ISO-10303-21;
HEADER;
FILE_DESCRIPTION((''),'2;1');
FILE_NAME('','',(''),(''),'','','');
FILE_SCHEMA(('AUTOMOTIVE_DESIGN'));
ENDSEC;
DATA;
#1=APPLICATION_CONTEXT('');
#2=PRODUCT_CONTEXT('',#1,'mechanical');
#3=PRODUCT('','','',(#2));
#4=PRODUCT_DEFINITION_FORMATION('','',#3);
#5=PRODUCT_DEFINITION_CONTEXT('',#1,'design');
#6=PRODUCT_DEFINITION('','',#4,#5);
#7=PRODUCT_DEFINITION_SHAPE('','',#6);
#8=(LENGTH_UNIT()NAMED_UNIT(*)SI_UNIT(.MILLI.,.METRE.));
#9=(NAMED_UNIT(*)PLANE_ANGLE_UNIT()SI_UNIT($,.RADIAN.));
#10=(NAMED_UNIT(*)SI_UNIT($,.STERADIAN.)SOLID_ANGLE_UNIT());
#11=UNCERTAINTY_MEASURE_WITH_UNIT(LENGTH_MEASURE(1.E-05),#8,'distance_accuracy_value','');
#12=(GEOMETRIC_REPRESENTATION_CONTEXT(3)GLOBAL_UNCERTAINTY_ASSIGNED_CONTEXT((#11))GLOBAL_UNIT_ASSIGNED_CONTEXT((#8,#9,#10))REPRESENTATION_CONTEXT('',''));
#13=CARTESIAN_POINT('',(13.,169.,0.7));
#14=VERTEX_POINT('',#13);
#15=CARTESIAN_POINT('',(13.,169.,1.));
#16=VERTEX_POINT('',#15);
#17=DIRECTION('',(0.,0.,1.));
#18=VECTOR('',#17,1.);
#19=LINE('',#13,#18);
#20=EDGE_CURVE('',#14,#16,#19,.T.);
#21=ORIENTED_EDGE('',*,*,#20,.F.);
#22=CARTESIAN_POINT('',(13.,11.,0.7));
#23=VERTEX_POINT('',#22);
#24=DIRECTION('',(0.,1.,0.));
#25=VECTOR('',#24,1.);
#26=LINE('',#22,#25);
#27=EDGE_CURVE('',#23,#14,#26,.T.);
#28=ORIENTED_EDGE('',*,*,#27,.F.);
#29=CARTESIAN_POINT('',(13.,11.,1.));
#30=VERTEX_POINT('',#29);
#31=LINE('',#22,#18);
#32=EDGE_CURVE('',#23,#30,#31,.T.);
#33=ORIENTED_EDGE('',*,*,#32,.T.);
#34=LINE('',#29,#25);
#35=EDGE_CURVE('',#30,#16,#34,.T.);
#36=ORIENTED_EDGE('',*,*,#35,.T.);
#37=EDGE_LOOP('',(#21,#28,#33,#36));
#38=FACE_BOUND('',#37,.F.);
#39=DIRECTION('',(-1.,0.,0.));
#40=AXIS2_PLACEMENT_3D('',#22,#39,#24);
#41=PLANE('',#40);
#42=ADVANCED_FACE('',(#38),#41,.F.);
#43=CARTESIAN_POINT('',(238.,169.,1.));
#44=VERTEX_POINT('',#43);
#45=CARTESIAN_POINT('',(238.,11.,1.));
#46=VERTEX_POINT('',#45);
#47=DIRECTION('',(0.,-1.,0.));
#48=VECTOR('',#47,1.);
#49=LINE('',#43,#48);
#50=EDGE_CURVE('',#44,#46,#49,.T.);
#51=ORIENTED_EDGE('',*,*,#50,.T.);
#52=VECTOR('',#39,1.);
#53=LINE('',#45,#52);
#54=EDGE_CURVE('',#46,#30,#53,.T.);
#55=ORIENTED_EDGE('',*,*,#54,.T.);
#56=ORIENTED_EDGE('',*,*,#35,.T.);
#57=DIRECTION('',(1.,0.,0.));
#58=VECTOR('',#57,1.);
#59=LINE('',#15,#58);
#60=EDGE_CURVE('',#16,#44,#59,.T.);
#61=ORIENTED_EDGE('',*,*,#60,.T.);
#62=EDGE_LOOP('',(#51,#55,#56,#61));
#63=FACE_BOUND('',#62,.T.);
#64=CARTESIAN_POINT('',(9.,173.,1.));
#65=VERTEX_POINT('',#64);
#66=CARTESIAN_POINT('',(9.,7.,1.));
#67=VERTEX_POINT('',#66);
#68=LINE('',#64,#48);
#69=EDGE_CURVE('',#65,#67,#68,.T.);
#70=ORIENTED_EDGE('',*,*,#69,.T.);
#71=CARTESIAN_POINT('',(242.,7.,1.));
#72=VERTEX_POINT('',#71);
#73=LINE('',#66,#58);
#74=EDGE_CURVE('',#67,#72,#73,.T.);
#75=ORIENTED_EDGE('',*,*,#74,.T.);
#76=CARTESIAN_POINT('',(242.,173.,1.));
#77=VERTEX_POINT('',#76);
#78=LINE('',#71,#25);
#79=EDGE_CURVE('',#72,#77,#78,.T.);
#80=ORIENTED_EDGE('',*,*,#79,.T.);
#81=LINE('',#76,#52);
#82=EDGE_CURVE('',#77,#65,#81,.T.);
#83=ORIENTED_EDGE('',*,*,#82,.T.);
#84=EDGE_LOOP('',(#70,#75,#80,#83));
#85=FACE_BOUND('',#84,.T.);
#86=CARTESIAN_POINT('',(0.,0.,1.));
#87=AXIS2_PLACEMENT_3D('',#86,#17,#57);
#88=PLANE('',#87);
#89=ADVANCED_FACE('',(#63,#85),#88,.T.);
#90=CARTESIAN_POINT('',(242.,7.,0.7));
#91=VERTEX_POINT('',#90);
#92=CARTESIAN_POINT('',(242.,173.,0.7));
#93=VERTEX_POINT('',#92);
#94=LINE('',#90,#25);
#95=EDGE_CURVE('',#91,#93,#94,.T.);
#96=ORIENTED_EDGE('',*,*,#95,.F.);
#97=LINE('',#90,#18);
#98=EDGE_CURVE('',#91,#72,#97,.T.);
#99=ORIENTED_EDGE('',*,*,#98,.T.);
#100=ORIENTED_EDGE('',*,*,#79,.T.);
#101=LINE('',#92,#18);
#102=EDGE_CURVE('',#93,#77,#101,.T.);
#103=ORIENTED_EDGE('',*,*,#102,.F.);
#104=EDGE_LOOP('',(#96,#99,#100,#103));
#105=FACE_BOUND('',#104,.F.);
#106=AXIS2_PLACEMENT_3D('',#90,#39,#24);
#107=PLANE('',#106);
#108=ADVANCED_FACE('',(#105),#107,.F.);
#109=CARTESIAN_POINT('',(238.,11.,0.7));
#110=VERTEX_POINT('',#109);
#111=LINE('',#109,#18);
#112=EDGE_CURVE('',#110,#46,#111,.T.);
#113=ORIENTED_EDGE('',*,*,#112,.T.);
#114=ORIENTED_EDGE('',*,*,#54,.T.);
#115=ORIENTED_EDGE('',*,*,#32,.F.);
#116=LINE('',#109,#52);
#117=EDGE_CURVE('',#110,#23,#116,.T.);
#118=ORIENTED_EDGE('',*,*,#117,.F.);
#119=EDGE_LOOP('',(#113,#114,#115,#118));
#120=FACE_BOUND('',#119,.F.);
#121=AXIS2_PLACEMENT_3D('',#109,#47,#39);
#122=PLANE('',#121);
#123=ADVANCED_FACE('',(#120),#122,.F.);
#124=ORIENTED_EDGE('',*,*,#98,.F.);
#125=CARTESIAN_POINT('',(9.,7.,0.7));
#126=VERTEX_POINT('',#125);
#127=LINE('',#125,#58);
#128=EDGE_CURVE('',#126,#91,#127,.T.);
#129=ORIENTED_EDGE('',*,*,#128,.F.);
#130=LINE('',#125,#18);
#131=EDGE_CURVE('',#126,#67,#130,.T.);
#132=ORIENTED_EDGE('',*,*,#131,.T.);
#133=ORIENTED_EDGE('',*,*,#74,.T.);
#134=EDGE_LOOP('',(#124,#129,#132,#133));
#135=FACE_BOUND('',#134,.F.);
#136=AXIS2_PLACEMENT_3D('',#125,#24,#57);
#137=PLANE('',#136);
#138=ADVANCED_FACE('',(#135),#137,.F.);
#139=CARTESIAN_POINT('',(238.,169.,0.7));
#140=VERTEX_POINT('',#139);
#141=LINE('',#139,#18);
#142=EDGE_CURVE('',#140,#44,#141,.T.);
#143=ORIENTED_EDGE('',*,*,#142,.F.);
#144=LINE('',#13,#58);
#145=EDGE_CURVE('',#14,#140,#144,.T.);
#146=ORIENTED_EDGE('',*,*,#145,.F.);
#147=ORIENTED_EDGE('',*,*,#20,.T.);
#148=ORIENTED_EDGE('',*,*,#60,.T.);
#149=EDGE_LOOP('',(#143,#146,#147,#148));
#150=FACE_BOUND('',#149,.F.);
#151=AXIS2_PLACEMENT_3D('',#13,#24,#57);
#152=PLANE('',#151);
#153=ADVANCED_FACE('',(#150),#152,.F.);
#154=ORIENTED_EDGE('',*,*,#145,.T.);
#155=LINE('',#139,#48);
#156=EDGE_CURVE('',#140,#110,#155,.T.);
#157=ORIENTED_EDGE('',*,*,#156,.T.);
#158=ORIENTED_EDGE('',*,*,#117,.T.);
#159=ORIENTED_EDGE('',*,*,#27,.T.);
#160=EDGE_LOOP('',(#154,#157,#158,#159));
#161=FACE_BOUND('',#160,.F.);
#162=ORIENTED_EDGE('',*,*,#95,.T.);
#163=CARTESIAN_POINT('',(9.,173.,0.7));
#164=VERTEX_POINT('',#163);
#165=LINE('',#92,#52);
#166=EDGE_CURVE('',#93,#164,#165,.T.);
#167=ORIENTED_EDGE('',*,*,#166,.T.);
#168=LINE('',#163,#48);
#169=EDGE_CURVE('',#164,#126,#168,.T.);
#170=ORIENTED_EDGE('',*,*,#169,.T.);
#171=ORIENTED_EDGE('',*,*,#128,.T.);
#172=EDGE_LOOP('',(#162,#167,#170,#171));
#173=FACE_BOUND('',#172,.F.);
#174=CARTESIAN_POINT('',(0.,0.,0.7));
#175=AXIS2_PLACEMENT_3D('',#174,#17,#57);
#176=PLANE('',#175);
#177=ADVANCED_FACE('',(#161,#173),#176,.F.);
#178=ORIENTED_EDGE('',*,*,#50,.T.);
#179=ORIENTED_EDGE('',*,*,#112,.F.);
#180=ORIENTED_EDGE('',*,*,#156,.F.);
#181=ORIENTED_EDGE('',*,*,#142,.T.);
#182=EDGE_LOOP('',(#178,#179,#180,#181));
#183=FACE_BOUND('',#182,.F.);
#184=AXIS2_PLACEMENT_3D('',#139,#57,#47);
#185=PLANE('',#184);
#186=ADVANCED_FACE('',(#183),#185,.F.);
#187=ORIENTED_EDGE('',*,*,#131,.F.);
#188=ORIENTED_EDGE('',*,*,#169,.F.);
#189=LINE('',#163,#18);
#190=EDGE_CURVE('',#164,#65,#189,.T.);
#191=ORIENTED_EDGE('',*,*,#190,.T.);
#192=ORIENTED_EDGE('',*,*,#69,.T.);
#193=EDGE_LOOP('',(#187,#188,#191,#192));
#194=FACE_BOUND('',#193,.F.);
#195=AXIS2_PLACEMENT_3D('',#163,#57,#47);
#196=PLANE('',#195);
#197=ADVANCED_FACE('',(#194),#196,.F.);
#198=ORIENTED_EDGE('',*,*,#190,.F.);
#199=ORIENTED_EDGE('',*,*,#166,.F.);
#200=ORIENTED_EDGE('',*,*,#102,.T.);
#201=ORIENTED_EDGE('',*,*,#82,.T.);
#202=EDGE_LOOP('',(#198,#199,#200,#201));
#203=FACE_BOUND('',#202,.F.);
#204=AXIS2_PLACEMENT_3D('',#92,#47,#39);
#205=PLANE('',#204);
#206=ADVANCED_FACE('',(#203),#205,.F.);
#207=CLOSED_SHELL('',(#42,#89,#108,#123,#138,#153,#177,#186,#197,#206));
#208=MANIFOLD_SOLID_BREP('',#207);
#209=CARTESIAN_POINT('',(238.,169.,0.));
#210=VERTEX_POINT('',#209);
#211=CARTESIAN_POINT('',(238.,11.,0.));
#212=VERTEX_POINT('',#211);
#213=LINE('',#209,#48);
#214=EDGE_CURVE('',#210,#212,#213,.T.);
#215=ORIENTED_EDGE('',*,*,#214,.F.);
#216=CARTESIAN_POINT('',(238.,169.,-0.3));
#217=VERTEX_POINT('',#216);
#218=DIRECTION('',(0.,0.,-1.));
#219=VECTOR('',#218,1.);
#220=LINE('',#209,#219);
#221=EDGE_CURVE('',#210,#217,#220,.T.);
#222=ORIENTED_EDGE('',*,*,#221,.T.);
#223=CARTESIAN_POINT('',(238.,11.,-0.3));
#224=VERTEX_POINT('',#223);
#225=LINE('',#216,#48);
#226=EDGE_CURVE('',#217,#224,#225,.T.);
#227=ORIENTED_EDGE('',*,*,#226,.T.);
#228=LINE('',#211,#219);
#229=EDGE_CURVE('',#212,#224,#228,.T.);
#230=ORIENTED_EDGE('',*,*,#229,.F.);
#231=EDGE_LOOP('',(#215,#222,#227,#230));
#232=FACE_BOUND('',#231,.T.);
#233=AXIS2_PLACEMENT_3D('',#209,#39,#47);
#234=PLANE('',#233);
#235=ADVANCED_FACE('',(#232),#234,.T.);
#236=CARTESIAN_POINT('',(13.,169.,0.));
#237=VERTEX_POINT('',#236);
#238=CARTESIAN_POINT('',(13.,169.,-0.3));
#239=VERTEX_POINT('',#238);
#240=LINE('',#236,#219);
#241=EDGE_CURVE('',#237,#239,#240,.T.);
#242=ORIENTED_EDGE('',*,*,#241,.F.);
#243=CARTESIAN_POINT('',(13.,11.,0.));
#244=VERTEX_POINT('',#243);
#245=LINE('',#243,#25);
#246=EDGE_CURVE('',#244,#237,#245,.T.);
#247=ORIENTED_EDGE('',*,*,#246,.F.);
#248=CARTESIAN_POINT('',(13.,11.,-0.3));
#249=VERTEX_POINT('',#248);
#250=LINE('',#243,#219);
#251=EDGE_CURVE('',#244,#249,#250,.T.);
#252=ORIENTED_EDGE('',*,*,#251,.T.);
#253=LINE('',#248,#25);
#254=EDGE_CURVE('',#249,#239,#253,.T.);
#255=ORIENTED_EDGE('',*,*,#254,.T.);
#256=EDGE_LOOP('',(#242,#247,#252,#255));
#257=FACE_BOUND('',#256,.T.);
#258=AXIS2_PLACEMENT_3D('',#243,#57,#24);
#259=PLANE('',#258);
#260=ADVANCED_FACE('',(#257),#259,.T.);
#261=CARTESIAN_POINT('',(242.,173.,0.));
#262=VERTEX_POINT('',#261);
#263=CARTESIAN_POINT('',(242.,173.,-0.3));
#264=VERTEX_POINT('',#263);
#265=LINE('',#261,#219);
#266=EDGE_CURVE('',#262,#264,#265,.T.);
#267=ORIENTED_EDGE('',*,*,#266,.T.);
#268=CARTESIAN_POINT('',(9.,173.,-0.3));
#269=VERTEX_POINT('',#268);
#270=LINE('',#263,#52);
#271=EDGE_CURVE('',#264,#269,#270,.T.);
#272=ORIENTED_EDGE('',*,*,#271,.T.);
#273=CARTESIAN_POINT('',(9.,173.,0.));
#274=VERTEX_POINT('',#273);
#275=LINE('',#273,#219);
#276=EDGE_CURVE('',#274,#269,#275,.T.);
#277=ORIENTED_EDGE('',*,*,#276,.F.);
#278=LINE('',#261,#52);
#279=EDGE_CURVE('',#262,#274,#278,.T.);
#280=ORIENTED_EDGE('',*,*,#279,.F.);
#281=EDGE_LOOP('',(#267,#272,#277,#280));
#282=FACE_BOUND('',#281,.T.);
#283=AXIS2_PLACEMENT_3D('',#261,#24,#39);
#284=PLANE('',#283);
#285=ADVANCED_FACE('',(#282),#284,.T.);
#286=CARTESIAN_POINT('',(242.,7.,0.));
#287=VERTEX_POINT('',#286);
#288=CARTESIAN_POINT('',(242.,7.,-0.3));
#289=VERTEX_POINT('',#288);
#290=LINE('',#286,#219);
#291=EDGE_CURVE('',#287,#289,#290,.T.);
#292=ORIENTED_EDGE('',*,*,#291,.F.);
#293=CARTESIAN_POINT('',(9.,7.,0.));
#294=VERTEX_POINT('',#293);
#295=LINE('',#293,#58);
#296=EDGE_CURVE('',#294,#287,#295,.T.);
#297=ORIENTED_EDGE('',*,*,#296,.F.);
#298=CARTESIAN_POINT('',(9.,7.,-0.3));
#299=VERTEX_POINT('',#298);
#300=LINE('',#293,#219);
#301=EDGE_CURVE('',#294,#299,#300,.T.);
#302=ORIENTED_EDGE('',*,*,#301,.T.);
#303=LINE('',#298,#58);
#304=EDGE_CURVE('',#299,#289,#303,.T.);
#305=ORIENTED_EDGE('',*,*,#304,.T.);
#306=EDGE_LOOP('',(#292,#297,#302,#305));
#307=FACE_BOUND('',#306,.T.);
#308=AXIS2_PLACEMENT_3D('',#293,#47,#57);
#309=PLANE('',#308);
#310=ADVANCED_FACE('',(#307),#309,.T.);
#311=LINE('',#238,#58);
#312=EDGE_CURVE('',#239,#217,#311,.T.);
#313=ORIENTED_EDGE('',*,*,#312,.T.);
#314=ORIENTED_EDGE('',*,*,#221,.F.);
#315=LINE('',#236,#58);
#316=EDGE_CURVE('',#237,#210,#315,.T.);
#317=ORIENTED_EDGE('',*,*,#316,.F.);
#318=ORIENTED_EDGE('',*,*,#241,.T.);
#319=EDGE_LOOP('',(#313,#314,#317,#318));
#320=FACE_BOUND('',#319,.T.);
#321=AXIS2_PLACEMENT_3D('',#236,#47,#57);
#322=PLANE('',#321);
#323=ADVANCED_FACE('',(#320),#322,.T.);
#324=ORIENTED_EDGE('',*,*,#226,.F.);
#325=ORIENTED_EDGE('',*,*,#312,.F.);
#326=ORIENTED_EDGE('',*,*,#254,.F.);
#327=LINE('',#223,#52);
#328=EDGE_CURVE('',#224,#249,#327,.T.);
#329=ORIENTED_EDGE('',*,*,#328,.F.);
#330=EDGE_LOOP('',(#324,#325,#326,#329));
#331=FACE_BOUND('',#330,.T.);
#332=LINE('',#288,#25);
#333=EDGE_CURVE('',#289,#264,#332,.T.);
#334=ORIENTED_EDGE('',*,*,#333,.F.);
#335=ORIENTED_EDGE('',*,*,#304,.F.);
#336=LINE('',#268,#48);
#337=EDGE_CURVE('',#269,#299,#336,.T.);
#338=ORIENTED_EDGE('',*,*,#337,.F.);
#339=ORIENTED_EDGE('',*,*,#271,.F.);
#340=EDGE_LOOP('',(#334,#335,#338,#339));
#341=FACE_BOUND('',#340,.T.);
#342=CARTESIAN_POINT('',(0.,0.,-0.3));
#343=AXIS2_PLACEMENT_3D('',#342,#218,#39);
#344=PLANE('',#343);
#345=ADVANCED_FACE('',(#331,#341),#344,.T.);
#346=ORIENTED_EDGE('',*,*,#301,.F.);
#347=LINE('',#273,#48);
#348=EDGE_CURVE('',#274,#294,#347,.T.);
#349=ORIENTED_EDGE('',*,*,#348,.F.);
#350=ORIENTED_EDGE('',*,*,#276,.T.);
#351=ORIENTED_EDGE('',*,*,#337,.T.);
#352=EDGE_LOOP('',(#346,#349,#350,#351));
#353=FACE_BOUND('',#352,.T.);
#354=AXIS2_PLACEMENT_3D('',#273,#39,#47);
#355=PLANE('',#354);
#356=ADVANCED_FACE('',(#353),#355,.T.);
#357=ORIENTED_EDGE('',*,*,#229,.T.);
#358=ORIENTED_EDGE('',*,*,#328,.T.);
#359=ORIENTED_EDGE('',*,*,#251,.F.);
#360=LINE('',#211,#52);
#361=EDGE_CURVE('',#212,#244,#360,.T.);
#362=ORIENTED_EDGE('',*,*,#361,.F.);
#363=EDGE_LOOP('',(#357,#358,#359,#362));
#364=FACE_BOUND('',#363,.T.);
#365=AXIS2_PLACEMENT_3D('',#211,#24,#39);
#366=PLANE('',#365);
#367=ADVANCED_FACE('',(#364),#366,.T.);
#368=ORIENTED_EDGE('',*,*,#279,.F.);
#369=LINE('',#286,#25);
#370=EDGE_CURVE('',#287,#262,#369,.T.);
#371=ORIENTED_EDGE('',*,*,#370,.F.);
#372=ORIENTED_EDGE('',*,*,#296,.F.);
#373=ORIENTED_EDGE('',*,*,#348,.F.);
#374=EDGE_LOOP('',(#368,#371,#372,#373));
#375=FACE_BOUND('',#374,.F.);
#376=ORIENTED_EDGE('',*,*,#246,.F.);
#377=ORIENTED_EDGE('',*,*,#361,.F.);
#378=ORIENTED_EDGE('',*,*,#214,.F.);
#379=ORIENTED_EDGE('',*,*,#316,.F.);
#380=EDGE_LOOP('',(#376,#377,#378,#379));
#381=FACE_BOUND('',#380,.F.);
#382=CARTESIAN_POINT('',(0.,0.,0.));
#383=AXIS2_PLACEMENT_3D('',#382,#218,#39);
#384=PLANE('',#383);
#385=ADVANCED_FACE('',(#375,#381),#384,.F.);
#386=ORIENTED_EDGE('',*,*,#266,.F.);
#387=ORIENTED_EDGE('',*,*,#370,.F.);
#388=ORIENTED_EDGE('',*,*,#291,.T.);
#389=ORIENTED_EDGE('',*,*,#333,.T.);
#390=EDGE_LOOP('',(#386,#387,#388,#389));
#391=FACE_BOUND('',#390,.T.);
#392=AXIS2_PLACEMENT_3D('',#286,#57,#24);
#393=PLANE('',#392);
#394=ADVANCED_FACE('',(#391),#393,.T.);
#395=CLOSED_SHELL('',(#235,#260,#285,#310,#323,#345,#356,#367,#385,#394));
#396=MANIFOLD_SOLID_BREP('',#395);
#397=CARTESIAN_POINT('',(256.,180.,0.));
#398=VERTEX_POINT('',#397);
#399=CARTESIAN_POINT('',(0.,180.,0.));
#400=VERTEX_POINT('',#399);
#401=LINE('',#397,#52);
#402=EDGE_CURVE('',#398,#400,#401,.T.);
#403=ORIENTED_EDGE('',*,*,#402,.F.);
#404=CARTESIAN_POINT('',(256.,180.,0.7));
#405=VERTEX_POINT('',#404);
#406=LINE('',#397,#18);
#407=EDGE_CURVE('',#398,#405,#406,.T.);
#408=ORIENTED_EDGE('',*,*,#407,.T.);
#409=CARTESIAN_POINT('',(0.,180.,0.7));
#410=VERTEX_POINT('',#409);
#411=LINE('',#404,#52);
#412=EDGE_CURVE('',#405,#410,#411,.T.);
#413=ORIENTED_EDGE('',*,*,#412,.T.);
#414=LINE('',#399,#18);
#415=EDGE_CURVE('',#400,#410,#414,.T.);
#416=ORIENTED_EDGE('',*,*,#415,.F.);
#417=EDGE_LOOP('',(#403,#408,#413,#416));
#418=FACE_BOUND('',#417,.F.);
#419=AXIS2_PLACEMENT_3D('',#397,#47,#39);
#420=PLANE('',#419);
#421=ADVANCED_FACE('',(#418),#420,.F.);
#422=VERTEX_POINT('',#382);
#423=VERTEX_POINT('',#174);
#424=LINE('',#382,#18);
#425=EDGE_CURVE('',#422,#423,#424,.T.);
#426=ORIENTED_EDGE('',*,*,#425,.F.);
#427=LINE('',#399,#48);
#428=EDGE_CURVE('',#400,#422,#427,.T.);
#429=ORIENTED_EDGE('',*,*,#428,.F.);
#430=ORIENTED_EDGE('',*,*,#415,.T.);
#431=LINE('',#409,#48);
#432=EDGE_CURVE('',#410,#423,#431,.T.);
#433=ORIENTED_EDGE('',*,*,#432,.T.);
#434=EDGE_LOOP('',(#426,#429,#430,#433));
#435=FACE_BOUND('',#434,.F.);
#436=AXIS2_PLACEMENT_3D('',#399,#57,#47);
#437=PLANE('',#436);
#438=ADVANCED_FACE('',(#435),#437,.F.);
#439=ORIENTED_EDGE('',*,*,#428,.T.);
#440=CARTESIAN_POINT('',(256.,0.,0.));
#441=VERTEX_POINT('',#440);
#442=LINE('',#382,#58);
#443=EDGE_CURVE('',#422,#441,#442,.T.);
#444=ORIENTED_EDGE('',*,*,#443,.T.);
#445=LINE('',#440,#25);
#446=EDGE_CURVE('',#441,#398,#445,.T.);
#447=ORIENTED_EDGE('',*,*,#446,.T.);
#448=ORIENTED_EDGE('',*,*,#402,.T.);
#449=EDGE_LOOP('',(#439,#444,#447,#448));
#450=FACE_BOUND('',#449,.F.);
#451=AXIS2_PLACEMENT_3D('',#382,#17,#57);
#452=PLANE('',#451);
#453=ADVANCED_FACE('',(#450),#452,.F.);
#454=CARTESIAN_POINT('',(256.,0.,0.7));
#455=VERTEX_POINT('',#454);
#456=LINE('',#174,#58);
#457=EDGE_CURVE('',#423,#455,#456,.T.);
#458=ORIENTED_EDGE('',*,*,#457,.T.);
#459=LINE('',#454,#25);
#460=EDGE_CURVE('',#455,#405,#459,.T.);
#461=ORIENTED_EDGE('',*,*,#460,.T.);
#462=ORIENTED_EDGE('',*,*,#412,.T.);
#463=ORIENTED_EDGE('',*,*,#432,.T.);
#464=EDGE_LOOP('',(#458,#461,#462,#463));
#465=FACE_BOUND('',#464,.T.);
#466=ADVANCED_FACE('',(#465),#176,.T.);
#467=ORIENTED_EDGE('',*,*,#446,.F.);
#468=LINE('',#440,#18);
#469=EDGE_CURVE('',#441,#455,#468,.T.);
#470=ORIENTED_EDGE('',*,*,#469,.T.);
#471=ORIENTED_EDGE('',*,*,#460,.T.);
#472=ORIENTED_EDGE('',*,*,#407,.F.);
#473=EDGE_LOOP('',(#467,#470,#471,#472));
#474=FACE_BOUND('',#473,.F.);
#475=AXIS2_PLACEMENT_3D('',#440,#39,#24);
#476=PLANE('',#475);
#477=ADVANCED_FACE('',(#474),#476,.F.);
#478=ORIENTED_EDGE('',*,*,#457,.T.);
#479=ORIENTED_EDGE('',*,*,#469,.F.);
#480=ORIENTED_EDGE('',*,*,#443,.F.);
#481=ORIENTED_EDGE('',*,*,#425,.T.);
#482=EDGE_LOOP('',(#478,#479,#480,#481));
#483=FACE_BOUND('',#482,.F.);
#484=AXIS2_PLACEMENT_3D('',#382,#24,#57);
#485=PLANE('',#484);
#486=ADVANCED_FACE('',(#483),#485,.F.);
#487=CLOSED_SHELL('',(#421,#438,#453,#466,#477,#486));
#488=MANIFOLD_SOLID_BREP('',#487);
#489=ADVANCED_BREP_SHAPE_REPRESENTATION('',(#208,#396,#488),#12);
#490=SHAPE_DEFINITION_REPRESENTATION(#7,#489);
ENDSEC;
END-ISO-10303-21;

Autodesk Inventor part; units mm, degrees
ref_plane "YZ Plane" through (0, 0, 0) normal (1, 0, 0) x (0, 1, 0)
ref_plane "XZ Plane" through (0, 0, 0) normal (0, 1, 0) x (-1, 0, 0)
ref_plane "XY Plane" through (0, 0, 0) normal (0, 0, 1) x (1, 0, 0)
sketch "Magnifier_Sketch" plane through (0, 0, 0) normal (0, 0, 1) x (1, 0, 0)
  line L0 (0, 0) -> (256, 0)
  line L1 (256, 0) -> (256, 180)
  line L2 (256, 180) -> (0, 180)
  line L3 (0, 180) -> (0, 0)
  dimension "d0" = 180
  dimension "d1" = 256
extrude "Magnifier_Extrusion" add sketch "Magnifier_Sketch" along normal blind 0.7
sketch "FrontLine_Sketch" plane through (0, 0, 0.7) normal (0, 0, 1) x (1, 0, 0)
  line L0 (242, 173) -> (9, 173)
  line L1 (9, 173) -> (9, 7)
  line L2 (9, 7) -> (242, 7)
  line L3 (242, 7) -> (242, 173)
  line L4 (0, 180) -> (0, 0) projected
  line L5 (256, 180) -> (0, 180) projected
  line L6 (256, 0) -> (256, 180) projected
  line L7 (0, 0) -> (256, 0) projected
  line L8 (13, 11) -> (13, 169)
  line L9 (13, 169) -> (238, 169)
  line L10 (238, 169) -> (238, 11)
  line L11 (238, 11) -> (13, 11)
  dimension "d4" = 9
  dimension "d5" = 7
  dimension "d6" = 14
  dimension "d7" = 7
  dimension "d9" = 4
extrude "FrontLine_Extrusion" add sketch "FrontLine_Sketch" along normal blind 0.3 separate body contours L3 L2 L1 L0
sketch "BackLine_Sketch" plane through (0, 0, 0) normal (0, 0, -1) x (-1, 0, 0)
  line L0 (-13, 169) -> (-238, 169) projected
  line L1 (-238, 169) -> (-238, 11) projected
  line L2 (-238, 11) -> (-13, 11) projected
  line L3 (-13, 11) -> (-13, 169) projected
  line L4 (-242, 173) -> (-9, 173) projected
  line L5 (-9, 173) -> (-9, 7) projected
  line L6 (-9, 7) -> (-242, 7) projected
  line L7 (-242, 7) -> (-242, 173) projected
  point P0 (0, 0)
extrude "Extrusion3" add sketch "BackLine_Sketch" along normal blind 0.3 separate body
equation "\"d0\" = magnifier_h"
equation "\"d1\" = magnifier_w"
equation "\"d2\" = magnifier_d"
equation "\"d4\" = magnifier_l"
equation "\"d5\" = magnifier_t"
equation "\"d6\" = magnifier_r"
equation "\"d7\" = magnifier_b"
equation "\"d9\" = magnifier_line_w"
equation "\"d10\" = magnifier_line_d"
equation "\"d12\" = magnifier_line_d"
equation "\"magnifier_w\" = 256"
equation "\"magnifier_h\" = 180"
equation "\"magnifier_d\" = 0.7"
equation "\"magnifier_l\" = 9"
equation "\"magnifier_t\" = 7"
equation "\"magnifier_r\" = 14"
equation "\"magnifier_b\" = 7"
equation "\"magnifier_line_w\" = 4"
equation "\"magnifier_line_d\" = 0.3"
properties part number "magnifier" material "Glass"
